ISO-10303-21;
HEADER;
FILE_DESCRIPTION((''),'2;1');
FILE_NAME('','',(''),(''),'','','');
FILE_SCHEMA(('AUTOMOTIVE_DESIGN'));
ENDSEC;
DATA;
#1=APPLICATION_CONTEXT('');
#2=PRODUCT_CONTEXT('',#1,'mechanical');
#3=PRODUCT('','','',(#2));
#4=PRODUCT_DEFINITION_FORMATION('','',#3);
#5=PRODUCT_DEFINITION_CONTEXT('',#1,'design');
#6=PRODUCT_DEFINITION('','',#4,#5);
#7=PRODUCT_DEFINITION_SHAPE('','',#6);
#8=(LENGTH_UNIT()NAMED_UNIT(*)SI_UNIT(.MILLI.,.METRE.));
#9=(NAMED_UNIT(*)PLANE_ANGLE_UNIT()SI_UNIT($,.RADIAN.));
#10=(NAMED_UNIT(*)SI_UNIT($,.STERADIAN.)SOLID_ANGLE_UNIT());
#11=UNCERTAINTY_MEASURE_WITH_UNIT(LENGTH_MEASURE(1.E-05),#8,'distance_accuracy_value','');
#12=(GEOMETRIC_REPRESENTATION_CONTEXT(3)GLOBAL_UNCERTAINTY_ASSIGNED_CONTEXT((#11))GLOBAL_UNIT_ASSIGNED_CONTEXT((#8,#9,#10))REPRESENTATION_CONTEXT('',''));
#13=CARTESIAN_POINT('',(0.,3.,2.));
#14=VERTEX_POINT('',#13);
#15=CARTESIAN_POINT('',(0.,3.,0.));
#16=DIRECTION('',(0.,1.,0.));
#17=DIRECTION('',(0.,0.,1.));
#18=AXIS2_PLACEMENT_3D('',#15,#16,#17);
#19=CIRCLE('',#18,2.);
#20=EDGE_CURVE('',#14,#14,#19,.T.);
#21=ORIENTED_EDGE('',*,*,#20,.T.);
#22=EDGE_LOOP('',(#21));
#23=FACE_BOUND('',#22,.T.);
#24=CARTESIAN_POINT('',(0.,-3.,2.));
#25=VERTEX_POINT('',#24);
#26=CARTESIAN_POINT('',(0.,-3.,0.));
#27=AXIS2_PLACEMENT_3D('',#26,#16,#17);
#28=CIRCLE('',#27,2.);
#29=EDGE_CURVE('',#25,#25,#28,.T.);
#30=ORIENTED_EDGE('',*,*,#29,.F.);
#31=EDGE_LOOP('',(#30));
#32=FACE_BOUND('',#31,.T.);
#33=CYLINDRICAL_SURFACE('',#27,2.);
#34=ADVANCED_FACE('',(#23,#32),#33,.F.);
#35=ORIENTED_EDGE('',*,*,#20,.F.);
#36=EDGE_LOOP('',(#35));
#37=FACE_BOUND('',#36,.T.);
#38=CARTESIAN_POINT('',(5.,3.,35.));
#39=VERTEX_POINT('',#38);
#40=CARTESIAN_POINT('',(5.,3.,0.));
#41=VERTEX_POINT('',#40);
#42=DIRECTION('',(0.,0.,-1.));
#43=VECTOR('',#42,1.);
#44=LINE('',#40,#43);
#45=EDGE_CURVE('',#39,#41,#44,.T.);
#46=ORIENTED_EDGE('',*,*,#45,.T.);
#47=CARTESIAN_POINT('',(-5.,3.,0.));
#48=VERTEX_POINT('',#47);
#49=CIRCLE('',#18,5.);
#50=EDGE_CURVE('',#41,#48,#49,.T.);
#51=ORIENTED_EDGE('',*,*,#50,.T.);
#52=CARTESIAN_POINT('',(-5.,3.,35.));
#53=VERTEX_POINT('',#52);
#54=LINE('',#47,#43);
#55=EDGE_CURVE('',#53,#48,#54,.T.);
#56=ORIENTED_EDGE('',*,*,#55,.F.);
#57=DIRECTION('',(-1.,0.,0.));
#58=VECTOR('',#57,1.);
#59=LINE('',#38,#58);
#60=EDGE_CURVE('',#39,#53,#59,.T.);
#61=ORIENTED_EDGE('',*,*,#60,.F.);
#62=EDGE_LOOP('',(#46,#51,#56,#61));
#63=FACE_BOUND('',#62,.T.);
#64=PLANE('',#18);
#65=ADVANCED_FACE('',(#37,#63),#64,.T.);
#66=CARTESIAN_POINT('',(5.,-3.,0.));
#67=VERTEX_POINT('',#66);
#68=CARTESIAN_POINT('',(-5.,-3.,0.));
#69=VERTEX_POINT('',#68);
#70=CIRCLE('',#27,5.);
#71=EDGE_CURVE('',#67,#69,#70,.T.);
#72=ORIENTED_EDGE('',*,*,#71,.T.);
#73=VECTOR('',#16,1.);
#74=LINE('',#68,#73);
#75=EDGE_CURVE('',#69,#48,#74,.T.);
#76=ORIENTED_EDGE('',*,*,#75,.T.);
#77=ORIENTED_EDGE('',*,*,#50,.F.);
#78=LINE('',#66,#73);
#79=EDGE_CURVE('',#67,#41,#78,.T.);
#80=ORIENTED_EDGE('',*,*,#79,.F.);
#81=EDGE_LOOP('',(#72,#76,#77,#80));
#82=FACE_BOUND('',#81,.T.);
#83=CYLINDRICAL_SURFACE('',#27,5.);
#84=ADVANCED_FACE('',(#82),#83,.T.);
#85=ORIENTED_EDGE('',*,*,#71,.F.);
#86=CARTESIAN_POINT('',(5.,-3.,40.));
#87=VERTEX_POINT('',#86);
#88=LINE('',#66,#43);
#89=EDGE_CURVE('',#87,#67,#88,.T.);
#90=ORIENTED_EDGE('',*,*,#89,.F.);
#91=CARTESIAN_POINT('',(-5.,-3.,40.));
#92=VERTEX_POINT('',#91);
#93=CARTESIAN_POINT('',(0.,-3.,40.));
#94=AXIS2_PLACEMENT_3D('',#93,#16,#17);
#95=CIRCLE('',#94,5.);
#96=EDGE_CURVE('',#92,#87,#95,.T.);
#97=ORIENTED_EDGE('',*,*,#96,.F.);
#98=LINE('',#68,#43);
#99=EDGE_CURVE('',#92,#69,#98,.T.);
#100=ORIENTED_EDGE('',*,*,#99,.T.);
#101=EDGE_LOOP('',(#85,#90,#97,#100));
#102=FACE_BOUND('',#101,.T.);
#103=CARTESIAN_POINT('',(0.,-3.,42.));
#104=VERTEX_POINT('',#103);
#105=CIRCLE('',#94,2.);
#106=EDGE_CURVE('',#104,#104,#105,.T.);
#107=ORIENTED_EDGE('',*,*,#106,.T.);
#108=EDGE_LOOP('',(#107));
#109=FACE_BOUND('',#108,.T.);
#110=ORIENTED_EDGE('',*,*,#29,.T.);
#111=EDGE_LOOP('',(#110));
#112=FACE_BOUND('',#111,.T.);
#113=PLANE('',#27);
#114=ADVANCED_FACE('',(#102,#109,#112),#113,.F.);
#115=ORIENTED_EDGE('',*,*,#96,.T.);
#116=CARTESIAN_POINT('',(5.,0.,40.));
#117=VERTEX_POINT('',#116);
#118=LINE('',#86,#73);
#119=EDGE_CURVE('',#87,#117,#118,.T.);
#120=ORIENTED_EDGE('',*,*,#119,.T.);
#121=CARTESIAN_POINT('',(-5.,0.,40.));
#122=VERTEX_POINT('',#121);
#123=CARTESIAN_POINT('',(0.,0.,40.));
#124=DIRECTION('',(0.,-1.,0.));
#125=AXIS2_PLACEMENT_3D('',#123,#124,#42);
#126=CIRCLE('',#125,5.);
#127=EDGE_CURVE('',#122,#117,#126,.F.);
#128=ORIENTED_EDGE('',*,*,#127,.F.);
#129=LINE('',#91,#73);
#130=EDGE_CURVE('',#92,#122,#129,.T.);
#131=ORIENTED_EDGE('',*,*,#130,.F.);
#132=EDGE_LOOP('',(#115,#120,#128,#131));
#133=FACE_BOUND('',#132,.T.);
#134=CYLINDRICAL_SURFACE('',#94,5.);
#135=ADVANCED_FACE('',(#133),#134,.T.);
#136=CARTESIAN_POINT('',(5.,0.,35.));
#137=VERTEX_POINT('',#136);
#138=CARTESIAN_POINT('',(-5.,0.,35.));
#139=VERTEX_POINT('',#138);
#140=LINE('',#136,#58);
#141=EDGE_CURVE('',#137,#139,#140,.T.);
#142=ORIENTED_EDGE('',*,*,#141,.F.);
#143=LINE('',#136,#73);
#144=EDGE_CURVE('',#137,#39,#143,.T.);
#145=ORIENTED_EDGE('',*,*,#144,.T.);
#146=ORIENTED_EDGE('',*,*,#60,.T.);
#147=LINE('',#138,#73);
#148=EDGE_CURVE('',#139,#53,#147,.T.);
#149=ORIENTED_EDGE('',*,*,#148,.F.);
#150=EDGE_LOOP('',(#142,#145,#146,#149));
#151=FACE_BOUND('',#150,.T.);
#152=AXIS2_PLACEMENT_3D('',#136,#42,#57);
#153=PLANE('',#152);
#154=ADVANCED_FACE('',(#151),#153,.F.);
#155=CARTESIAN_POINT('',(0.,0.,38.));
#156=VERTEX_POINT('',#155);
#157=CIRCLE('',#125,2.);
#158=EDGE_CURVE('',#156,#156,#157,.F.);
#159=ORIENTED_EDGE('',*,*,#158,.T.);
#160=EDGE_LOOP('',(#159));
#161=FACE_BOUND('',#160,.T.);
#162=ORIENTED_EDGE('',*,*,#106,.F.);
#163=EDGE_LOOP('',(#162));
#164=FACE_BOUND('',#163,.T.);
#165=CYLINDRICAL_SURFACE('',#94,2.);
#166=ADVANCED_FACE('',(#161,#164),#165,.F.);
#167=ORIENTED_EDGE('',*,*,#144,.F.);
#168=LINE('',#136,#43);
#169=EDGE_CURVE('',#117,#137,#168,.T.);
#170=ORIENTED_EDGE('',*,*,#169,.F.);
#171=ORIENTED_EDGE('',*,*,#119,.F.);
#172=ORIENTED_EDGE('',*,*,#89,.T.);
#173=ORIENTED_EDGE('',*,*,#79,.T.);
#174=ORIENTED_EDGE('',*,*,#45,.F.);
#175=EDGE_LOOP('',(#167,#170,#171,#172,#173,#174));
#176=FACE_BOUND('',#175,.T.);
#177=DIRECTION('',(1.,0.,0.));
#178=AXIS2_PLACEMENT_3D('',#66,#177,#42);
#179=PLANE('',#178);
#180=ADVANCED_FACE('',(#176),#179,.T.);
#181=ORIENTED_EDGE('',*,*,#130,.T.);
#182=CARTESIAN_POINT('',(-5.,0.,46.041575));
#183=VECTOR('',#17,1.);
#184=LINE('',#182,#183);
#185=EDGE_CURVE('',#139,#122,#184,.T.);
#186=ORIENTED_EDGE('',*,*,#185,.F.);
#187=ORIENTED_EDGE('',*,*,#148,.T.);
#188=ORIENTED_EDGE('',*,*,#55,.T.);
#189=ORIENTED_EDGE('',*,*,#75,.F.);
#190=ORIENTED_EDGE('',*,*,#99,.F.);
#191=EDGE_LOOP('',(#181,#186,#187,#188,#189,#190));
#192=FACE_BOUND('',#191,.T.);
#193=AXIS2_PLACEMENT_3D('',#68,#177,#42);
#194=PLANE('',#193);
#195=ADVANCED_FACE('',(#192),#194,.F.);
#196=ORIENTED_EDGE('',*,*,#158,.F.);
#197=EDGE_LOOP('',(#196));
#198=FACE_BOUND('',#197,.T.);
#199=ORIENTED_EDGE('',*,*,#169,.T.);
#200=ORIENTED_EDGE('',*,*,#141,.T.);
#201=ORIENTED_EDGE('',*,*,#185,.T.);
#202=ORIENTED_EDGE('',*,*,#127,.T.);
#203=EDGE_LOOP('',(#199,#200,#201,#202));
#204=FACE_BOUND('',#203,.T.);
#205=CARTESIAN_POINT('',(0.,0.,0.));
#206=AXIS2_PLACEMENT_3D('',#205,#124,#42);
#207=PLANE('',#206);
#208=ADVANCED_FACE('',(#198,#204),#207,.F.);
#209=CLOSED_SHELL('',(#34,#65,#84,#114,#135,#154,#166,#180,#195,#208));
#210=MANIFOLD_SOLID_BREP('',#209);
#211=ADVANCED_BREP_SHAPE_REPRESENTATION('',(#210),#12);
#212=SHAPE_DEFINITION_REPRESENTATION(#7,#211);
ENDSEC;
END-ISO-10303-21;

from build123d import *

# Parameters (mm, degrees)
BOSS_EXTRU_1_DEPTH      = 3
BOSS_EXTRU_1_DEPTH_BACK = 3
ESQUISSE1_R             = 2
ESQUISSE2_W             = 10
ESQUISSE2_H             = 11.041575451
ENL_V_MAT_EXTRU_1_DEPTH = 3


with BuildPart() as part:
    # Esquisse1 → Boss.-Extru.1 (new, two sides: drawn at the far end of the back side and taken through both)
    with BuildSketch(Plane(origin=(0, 0, 0), x_dir=(1, 0, 0), z_dir=(0, 1, 0)).offset(-BOSS_EXTRU_1_DEPTH_BACK)):
        with BuildLine():
            Line((-5, 0), (-5, -40))
            ThreePointArc((-5, -40), (0, -45), (5, -40))
            Line((5, -40), (5, 0))
            ThreePointArc((5, 0), (0, 5), (-5, 0))
        make_face()
        with Locations((0, -40)):
            Circle(ESQUISSE1_R, mode=Mode.SUBTRACT)
        Circle(ESQUISSE1_R, mode=Mode.SUBTRACT)
    extrude(amount=BOSS_EXTRU_1_DEPTH + BOSS_EXTRU_1_DEPTH_BACK)

    # Esquisse2 → Enlèv. mat.-Extru.1 (cut)
    with BuildSketch(Plane(origin=(0, 3, 0), x_dir=(1, 0, 0), z_dir=(0, 1, 0))):
        with Locations((0, -40.520787725)):
            Rectangle(ESQUISSE2_W, ESQUISSE2_H)
    extrude(amount=-ENL_V_MAT_EXTRU_1_DEPTH, mode=Mode.SUBTRACT)


solid = part.part
